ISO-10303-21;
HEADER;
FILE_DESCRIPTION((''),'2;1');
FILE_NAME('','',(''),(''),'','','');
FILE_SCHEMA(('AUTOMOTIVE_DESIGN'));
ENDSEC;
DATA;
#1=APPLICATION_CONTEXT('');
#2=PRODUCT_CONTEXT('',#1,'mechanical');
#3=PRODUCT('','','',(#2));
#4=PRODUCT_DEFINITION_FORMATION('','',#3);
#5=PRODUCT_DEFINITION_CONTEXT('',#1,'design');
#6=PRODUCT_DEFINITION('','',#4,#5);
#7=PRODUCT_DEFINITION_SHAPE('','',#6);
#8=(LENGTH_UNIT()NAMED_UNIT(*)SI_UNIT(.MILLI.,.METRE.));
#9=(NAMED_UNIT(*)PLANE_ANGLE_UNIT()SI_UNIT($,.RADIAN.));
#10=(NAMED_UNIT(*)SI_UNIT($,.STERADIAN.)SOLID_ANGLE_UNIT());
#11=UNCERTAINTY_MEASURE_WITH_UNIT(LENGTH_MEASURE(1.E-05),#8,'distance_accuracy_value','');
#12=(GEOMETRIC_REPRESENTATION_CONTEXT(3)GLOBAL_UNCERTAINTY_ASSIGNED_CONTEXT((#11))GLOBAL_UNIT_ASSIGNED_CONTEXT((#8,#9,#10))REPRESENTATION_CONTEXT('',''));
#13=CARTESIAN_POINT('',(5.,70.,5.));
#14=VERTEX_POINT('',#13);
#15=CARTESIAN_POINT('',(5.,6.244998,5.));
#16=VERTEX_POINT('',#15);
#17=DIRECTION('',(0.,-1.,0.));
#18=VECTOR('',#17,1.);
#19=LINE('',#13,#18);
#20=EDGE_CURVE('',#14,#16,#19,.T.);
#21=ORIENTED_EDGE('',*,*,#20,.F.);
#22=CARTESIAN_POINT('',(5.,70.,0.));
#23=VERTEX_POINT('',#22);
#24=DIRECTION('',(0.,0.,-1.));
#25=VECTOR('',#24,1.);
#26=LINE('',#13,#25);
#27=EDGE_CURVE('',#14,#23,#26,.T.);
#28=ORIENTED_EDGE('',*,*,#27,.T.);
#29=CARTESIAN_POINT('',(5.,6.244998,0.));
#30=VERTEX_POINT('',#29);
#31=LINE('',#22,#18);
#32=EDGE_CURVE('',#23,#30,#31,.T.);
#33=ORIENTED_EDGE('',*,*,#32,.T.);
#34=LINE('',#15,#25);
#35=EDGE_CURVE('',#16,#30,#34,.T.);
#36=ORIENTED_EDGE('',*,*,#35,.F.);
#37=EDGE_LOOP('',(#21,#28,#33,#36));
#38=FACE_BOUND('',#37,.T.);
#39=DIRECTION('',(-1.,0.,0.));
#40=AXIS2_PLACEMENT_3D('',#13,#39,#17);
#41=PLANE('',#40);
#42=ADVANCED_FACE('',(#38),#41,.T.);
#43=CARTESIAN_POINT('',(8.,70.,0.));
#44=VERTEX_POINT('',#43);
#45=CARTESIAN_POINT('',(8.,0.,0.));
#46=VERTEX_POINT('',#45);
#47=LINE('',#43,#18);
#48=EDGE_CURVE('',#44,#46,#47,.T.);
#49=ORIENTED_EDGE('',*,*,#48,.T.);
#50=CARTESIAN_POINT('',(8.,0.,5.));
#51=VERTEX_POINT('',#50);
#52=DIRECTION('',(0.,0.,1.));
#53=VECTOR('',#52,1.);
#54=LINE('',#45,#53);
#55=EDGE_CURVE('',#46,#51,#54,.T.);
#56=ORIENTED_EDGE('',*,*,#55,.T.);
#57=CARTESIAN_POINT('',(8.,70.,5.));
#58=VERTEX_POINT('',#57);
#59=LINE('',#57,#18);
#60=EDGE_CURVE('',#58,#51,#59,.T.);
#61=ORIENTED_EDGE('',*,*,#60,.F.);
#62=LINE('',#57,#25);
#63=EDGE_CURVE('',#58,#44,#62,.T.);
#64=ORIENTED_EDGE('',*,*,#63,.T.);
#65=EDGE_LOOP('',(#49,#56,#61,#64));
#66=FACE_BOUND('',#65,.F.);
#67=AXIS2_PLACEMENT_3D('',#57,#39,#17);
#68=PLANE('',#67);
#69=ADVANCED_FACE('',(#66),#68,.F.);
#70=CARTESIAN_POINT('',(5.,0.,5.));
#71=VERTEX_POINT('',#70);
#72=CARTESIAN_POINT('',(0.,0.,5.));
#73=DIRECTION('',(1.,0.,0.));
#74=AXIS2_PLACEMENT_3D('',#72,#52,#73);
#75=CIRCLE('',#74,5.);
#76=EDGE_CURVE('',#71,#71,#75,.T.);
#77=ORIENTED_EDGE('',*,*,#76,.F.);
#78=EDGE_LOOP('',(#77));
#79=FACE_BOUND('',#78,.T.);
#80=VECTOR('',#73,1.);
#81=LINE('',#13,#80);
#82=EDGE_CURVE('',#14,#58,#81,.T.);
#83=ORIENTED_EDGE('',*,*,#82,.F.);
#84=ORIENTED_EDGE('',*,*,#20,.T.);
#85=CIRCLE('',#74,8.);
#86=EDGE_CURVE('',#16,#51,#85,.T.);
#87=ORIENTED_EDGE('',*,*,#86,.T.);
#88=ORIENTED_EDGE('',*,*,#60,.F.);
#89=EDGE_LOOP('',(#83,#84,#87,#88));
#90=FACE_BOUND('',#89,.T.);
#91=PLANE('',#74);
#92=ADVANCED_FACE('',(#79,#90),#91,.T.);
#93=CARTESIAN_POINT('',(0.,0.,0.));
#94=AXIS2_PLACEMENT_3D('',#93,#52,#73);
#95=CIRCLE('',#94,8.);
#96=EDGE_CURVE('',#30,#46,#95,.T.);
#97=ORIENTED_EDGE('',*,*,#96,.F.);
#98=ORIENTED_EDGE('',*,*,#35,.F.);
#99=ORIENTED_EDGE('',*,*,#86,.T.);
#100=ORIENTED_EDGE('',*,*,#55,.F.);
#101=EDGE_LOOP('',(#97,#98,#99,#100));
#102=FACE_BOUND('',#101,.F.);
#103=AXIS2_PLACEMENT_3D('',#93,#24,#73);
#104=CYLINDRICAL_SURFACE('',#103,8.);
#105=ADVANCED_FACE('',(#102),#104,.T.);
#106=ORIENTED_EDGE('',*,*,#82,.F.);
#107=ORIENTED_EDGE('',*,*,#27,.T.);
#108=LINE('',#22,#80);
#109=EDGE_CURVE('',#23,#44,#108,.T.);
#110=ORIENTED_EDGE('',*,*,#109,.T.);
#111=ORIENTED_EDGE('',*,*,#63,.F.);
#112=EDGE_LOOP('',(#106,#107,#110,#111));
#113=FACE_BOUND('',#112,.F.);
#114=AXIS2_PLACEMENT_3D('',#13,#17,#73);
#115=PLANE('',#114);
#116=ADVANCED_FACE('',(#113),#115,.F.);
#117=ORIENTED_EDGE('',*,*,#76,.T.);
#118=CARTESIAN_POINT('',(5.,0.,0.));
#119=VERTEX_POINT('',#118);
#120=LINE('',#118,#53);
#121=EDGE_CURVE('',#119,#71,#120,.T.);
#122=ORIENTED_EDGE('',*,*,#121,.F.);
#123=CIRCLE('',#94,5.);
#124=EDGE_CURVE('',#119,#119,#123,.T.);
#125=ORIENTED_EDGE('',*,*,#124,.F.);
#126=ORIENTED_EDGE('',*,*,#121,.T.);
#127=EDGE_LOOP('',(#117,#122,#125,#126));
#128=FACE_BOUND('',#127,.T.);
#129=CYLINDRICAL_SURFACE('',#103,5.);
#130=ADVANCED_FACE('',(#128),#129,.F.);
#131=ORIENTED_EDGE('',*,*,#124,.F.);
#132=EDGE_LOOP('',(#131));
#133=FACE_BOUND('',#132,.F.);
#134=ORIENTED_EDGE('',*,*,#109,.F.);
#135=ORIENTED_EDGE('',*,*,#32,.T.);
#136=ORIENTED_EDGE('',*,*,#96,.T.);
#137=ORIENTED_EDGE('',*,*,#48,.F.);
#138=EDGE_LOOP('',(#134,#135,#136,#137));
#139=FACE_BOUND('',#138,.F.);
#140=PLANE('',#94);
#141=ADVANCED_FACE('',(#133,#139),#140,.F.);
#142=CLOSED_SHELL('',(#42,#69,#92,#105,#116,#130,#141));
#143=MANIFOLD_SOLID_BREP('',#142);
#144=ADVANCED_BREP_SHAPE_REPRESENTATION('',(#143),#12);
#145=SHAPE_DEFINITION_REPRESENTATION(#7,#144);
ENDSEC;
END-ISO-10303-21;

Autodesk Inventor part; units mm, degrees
ref_plane "YZ Plane" through (0, 0, 0) normal (1, 0, 0) x (0, 1, 0)
ref_plane "XZ Plane" through (0, 0, 0) normal (0, 1, 0) x (-1, 0, 0)
ref_plane "XY Plane" through (0, 0, 0) normal (0, 0, 1) x (1, 0, 0)
sketch "Sketch1" plane through (0, 0, 0) normal (0, 0, 1) x (1, 0, 0)
  circle A0 centre (0, 0) radius 5
  circle A1 centre (0, 0) radius 8
  dimension "d0" = 10
  dimension "d1" = 16
extrude "Extrusion1" add sketch "Sketch1" along normal blind 5
sketch "Sketch2" plane through (0, 0, 5) normal (0, 0, 1) x (1, 0, 0)
  circle A0 centre (0, 0) radius 8 projected
  line L0 (8, 0) -> (5, 0)
  line L1 (8, 70) -> (8, 0)
  circle A1 centre (0, 0) radius 5 projected
  line L2 (5, 70) -> (5, 0)
  line L3 (5, 70) -> (8, 70)
  point P0 (5, 6.245)
  point P1 (7, 3.873)
  dimension "d4" = 0
  dimension "d9" = 70
  dimension "d11" = 3
extrude "Extrusion2" add sketch "Sketch2" against normal blind 5 contours A0 L2 L3 L1
properties part number "Feder_V1"
